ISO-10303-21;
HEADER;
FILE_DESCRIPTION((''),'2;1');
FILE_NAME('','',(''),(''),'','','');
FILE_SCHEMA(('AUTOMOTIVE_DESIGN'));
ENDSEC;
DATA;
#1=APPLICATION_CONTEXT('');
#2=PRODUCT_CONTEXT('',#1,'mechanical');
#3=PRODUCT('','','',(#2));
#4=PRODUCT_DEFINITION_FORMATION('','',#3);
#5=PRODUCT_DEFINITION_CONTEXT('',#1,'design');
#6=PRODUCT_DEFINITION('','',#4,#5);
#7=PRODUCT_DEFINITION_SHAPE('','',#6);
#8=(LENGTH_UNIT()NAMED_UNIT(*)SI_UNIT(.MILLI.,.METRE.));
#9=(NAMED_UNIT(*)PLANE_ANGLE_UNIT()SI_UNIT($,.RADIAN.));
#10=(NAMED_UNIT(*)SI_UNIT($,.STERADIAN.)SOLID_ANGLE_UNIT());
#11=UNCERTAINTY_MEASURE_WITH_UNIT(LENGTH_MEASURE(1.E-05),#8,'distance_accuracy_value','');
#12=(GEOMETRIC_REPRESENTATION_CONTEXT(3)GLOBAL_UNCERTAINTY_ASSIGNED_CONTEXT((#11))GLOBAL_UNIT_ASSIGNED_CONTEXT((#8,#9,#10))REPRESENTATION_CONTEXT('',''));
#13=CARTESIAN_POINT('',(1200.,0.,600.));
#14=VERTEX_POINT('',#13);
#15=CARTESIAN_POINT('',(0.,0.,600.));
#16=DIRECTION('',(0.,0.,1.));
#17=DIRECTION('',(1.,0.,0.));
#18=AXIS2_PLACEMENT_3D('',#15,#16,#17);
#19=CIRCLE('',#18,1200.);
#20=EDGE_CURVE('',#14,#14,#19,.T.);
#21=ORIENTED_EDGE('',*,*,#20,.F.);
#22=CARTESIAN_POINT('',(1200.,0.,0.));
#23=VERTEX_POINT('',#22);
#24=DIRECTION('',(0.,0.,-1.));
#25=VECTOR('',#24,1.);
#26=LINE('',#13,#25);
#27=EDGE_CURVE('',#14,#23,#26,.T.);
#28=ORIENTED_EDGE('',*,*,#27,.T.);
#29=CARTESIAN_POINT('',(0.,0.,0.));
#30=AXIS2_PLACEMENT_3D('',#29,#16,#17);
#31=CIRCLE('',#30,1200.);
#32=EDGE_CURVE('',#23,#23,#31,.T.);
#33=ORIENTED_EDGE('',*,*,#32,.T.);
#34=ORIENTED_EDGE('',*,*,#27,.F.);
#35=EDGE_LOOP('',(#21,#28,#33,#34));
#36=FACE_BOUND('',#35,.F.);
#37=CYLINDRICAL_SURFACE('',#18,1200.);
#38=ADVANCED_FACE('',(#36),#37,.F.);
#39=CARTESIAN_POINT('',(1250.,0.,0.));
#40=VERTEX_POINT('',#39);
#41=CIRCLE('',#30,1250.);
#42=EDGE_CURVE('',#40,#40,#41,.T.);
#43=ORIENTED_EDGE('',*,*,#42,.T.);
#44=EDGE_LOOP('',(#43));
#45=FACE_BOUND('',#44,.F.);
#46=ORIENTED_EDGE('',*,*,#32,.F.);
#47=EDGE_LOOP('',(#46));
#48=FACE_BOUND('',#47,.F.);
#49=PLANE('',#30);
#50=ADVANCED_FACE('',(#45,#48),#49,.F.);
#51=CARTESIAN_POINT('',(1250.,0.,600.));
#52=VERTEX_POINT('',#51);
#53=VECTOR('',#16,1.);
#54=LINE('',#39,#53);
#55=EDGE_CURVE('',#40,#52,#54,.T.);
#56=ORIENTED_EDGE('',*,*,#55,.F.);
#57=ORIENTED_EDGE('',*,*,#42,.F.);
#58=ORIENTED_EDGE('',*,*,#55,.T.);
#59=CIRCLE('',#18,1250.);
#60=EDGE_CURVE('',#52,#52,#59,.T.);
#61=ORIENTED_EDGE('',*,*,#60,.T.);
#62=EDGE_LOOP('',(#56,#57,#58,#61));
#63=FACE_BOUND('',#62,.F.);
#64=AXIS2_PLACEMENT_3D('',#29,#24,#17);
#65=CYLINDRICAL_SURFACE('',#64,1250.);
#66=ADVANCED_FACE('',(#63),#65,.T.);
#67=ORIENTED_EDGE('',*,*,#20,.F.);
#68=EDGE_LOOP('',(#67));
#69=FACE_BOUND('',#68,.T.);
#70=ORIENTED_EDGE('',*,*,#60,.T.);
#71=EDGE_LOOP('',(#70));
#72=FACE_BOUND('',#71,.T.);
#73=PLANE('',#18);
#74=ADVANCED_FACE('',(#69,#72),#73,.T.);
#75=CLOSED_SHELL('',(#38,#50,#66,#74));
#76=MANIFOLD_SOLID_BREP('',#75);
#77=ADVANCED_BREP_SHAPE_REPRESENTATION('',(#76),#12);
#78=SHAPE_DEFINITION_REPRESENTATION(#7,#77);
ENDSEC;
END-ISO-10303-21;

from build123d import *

# Parameters (mm, degrees)
CYLINDER_R     = 1250
CYLINDER_DEPTH = 600
SKETCH001_R    = 1200
POCKET_DEPTH   = 600


with BuildPart() as part:
    # Cylinder → Cylinder (new body)
    with BuildSketch(Plane.XY):
        Circle(CYLINDER_R)
    extrude(amount=CYLINDER_DEPTH)

    # Sketch001 → Pocket (cut)
    with BuildSketch(Plane.XY.offset(600)):
        Circle(SKETCH001_R)
    extrude(amount=-POCKET_DEPTH, mode=Mode.SUBTRACT)


solid = part.part
